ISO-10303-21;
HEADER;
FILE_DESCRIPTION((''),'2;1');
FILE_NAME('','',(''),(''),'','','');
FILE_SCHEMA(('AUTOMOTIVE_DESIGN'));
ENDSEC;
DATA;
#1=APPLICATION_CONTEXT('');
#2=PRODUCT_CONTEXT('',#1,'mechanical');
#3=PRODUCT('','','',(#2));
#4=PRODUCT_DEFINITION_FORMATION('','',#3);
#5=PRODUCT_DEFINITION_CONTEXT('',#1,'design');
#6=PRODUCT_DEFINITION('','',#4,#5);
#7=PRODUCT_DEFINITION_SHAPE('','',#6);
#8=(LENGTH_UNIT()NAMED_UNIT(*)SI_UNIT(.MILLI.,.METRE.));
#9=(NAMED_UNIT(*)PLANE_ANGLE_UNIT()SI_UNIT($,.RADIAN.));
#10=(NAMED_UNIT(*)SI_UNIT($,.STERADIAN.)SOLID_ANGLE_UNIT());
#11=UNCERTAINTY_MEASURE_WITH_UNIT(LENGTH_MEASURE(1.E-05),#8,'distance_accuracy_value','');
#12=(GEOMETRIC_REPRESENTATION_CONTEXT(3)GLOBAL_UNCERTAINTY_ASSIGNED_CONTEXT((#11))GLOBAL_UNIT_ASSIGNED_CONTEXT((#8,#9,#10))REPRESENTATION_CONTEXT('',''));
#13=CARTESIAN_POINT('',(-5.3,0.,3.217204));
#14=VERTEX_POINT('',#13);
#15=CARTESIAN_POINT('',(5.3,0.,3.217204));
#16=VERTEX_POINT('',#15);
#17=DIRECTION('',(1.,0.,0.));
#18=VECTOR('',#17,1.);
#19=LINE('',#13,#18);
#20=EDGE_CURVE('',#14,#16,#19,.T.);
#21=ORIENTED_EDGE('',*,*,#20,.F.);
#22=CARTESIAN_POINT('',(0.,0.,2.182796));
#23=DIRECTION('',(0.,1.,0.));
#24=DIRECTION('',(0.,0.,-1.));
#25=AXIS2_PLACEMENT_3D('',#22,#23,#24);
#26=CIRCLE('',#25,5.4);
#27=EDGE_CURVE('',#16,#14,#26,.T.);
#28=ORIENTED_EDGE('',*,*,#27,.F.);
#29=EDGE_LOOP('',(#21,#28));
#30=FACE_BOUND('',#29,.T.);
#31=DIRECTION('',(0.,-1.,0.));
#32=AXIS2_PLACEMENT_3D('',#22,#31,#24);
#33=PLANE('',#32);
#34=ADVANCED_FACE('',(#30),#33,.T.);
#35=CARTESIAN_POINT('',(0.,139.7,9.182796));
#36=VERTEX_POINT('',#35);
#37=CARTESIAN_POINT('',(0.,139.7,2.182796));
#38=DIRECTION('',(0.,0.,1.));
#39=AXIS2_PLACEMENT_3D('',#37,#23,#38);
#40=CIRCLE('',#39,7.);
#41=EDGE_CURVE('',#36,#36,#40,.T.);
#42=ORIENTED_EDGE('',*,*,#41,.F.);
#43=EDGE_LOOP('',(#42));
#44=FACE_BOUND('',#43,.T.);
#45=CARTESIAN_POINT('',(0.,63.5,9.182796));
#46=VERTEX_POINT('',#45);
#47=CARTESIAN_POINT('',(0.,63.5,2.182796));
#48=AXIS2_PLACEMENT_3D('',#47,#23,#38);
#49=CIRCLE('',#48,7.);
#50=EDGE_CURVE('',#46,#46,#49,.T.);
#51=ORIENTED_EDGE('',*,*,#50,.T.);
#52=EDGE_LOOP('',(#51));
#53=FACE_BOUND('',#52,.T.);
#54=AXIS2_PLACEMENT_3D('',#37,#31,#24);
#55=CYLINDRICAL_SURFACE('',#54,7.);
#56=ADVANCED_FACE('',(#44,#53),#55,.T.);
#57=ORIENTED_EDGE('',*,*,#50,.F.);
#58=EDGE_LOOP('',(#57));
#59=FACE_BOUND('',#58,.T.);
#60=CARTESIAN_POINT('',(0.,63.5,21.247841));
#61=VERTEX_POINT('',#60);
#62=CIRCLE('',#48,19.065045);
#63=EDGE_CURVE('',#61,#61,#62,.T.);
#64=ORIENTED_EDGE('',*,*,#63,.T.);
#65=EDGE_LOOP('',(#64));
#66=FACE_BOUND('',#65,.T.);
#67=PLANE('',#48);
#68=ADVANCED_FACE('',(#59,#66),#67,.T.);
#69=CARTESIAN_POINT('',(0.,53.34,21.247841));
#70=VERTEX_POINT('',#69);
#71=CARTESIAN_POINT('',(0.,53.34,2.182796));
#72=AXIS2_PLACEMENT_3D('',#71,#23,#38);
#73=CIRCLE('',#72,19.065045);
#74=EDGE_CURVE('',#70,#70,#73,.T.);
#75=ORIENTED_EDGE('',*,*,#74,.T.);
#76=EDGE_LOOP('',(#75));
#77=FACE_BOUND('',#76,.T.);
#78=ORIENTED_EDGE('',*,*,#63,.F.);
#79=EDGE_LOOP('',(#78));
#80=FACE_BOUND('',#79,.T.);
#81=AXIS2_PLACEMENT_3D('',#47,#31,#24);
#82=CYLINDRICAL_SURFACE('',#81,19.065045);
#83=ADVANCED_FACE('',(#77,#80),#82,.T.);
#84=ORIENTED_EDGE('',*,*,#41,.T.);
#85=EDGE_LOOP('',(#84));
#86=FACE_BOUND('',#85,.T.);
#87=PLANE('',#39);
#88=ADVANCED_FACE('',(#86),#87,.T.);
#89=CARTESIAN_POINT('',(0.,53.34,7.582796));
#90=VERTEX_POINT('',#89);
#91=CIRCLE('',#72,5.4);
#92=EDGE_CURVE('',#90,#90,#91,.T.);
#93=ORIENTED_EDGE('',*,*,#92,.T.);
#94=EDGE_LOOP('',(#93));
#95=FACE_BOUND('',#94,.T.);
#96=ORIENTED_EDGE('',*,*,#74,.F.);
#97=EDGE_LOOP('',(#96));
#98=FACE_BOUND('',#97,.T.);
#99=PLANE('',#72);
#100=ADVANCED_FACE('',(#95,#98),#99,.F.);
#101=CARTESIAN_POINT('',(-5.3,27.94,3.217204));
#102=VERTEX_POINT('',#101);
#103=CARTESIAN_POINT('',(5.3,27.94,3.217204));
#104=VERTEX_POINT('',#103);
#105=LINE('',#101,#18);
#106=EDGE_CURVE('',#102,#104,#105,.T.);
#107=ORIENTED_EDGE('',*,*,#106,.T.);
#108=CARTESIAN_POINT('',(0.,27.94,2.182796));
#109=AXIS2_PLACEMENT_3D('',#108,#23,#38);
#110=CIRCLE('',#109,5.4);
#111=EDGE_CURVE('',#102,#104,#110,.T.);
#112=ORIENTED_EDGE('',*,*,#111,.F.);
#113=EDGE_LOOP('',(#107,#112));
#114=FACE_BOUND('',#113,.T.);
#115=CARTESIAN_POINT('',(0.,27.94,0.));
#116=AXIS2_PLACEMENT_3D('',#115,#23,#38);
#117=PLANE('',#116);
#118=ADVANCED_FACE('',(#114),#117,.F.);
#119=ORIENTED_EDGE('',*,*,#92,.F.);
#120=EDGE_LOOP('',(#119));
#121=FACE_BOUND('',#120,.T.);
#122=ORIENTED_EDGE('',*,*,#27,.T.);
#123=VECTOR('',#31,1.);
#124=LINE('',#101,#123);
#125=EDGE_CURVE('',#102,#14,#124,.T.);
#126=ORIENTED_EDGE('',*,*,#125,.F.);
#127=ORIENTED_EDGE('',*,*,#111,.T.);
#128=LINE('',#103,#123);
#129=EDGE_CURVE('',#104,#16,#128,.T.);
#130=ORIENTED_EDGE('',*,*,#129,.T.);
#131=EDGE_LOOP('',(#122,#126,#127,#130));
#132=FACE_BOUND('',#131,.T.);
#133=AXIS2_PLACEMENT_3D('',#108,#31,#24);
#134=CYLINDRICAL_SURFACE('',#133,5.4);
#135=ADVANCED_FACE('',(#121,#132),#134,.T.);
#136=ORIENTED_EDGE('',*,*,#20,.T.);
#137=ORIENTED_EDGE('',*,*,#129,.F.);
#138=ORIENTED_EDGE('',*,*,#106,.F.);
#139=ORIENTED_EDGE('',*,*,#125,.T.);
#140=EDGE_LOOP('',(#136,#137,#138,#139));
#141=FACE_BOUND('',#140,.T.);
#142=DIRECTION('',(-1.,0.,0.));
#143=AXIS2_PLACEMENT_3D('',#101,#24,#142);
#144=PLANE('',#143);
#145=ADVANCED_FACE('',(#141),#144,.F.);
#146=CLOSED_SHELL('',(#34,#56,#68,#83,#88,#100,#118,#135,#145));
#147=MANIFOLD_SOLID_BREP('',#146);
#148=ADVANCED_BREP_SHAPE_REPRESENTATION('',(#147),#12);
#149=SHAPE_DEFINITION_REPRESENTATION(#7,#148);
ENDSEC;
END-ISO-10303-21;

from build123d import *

# Parameters (mm, degrees)
BOSS_EXTRUDE1_DEPTH = 27.94
BOSS_EXTRUDE3_DEPTH = 25.4
SKETCH5_R           = 19.06504515
BOSS_EXTRUDE4_DEPTH = 10.16
SKETCH6_R           = 7
BOSS_EXTRUDE5_DEPTH = 76.2


with BuildPart() as part:
    # Sketch1 → Boss-Extrude1 (new body)
    with BuildSketch(Plane(origin=(0, 0, 0), x_dir=(1, 0, 0), z_dir=(0, 1, 0))):
        with BuildLine():
            Line((-5.3, -3.217204022), (5.3, -3.217204022))
            ThreePointArc((5.3, -3.217204022), (0, 3.217204022), (-5.3, -3.217204022))
        make_face()
    extrude(amount=BOSS_EXTRUDE1_DEPTH)

    # Sketch4 → Boss-Extrude3 (add)
    with BuildSketch(Plane(origin=(0, 27.94, 0), x_dir=(1, 0, 0), z_dir=(0, 1, 0))):
        with BuildLine():
            Line((5.3, -3.217204022), (-5.3, -3.217204022))
            ThreePointArc((-5.3, -3.217204022), (0, -7.582795978), (5.3, -3.217204022))
        make_face()
        with BuildLine():
            Line((-5.3, -3.217204022), (5.3, -3.217204022))
            ThreePointArc((5.3, -3.217204022), (0, 3.217204022), (-5.3, -3.217204022))
        make_face()
    extrude(amount=BOSS_EXTRUDE3_DEPTH)

    # Sketch5 → Boss-Extrude4 (add)
    with BuildSketch(Plane(origin=(0, 53.34, 0), x_dir=(1, 0, 0), z_dir=(0, 1, 0))):
        with Locations((0, -2.182795978)):
            Circle(SKETCH5_R)
    extrude(amount=BOSS_EXTRUDE4_DEPTH)

    # Sketch6 → Boss-Extrude5 (add)
    with BuildSketch(Plane(origin=(0, 63.5, 0), x_dir=(1, 0, 0), z_dir=(0, 1, 0))):
        with Locations((0, -2.182795978)):
            Circle(SKETCH6_R)
    extrude(amount=BOSS_EXTRUDE5_DEPTH)


solid = part.part
